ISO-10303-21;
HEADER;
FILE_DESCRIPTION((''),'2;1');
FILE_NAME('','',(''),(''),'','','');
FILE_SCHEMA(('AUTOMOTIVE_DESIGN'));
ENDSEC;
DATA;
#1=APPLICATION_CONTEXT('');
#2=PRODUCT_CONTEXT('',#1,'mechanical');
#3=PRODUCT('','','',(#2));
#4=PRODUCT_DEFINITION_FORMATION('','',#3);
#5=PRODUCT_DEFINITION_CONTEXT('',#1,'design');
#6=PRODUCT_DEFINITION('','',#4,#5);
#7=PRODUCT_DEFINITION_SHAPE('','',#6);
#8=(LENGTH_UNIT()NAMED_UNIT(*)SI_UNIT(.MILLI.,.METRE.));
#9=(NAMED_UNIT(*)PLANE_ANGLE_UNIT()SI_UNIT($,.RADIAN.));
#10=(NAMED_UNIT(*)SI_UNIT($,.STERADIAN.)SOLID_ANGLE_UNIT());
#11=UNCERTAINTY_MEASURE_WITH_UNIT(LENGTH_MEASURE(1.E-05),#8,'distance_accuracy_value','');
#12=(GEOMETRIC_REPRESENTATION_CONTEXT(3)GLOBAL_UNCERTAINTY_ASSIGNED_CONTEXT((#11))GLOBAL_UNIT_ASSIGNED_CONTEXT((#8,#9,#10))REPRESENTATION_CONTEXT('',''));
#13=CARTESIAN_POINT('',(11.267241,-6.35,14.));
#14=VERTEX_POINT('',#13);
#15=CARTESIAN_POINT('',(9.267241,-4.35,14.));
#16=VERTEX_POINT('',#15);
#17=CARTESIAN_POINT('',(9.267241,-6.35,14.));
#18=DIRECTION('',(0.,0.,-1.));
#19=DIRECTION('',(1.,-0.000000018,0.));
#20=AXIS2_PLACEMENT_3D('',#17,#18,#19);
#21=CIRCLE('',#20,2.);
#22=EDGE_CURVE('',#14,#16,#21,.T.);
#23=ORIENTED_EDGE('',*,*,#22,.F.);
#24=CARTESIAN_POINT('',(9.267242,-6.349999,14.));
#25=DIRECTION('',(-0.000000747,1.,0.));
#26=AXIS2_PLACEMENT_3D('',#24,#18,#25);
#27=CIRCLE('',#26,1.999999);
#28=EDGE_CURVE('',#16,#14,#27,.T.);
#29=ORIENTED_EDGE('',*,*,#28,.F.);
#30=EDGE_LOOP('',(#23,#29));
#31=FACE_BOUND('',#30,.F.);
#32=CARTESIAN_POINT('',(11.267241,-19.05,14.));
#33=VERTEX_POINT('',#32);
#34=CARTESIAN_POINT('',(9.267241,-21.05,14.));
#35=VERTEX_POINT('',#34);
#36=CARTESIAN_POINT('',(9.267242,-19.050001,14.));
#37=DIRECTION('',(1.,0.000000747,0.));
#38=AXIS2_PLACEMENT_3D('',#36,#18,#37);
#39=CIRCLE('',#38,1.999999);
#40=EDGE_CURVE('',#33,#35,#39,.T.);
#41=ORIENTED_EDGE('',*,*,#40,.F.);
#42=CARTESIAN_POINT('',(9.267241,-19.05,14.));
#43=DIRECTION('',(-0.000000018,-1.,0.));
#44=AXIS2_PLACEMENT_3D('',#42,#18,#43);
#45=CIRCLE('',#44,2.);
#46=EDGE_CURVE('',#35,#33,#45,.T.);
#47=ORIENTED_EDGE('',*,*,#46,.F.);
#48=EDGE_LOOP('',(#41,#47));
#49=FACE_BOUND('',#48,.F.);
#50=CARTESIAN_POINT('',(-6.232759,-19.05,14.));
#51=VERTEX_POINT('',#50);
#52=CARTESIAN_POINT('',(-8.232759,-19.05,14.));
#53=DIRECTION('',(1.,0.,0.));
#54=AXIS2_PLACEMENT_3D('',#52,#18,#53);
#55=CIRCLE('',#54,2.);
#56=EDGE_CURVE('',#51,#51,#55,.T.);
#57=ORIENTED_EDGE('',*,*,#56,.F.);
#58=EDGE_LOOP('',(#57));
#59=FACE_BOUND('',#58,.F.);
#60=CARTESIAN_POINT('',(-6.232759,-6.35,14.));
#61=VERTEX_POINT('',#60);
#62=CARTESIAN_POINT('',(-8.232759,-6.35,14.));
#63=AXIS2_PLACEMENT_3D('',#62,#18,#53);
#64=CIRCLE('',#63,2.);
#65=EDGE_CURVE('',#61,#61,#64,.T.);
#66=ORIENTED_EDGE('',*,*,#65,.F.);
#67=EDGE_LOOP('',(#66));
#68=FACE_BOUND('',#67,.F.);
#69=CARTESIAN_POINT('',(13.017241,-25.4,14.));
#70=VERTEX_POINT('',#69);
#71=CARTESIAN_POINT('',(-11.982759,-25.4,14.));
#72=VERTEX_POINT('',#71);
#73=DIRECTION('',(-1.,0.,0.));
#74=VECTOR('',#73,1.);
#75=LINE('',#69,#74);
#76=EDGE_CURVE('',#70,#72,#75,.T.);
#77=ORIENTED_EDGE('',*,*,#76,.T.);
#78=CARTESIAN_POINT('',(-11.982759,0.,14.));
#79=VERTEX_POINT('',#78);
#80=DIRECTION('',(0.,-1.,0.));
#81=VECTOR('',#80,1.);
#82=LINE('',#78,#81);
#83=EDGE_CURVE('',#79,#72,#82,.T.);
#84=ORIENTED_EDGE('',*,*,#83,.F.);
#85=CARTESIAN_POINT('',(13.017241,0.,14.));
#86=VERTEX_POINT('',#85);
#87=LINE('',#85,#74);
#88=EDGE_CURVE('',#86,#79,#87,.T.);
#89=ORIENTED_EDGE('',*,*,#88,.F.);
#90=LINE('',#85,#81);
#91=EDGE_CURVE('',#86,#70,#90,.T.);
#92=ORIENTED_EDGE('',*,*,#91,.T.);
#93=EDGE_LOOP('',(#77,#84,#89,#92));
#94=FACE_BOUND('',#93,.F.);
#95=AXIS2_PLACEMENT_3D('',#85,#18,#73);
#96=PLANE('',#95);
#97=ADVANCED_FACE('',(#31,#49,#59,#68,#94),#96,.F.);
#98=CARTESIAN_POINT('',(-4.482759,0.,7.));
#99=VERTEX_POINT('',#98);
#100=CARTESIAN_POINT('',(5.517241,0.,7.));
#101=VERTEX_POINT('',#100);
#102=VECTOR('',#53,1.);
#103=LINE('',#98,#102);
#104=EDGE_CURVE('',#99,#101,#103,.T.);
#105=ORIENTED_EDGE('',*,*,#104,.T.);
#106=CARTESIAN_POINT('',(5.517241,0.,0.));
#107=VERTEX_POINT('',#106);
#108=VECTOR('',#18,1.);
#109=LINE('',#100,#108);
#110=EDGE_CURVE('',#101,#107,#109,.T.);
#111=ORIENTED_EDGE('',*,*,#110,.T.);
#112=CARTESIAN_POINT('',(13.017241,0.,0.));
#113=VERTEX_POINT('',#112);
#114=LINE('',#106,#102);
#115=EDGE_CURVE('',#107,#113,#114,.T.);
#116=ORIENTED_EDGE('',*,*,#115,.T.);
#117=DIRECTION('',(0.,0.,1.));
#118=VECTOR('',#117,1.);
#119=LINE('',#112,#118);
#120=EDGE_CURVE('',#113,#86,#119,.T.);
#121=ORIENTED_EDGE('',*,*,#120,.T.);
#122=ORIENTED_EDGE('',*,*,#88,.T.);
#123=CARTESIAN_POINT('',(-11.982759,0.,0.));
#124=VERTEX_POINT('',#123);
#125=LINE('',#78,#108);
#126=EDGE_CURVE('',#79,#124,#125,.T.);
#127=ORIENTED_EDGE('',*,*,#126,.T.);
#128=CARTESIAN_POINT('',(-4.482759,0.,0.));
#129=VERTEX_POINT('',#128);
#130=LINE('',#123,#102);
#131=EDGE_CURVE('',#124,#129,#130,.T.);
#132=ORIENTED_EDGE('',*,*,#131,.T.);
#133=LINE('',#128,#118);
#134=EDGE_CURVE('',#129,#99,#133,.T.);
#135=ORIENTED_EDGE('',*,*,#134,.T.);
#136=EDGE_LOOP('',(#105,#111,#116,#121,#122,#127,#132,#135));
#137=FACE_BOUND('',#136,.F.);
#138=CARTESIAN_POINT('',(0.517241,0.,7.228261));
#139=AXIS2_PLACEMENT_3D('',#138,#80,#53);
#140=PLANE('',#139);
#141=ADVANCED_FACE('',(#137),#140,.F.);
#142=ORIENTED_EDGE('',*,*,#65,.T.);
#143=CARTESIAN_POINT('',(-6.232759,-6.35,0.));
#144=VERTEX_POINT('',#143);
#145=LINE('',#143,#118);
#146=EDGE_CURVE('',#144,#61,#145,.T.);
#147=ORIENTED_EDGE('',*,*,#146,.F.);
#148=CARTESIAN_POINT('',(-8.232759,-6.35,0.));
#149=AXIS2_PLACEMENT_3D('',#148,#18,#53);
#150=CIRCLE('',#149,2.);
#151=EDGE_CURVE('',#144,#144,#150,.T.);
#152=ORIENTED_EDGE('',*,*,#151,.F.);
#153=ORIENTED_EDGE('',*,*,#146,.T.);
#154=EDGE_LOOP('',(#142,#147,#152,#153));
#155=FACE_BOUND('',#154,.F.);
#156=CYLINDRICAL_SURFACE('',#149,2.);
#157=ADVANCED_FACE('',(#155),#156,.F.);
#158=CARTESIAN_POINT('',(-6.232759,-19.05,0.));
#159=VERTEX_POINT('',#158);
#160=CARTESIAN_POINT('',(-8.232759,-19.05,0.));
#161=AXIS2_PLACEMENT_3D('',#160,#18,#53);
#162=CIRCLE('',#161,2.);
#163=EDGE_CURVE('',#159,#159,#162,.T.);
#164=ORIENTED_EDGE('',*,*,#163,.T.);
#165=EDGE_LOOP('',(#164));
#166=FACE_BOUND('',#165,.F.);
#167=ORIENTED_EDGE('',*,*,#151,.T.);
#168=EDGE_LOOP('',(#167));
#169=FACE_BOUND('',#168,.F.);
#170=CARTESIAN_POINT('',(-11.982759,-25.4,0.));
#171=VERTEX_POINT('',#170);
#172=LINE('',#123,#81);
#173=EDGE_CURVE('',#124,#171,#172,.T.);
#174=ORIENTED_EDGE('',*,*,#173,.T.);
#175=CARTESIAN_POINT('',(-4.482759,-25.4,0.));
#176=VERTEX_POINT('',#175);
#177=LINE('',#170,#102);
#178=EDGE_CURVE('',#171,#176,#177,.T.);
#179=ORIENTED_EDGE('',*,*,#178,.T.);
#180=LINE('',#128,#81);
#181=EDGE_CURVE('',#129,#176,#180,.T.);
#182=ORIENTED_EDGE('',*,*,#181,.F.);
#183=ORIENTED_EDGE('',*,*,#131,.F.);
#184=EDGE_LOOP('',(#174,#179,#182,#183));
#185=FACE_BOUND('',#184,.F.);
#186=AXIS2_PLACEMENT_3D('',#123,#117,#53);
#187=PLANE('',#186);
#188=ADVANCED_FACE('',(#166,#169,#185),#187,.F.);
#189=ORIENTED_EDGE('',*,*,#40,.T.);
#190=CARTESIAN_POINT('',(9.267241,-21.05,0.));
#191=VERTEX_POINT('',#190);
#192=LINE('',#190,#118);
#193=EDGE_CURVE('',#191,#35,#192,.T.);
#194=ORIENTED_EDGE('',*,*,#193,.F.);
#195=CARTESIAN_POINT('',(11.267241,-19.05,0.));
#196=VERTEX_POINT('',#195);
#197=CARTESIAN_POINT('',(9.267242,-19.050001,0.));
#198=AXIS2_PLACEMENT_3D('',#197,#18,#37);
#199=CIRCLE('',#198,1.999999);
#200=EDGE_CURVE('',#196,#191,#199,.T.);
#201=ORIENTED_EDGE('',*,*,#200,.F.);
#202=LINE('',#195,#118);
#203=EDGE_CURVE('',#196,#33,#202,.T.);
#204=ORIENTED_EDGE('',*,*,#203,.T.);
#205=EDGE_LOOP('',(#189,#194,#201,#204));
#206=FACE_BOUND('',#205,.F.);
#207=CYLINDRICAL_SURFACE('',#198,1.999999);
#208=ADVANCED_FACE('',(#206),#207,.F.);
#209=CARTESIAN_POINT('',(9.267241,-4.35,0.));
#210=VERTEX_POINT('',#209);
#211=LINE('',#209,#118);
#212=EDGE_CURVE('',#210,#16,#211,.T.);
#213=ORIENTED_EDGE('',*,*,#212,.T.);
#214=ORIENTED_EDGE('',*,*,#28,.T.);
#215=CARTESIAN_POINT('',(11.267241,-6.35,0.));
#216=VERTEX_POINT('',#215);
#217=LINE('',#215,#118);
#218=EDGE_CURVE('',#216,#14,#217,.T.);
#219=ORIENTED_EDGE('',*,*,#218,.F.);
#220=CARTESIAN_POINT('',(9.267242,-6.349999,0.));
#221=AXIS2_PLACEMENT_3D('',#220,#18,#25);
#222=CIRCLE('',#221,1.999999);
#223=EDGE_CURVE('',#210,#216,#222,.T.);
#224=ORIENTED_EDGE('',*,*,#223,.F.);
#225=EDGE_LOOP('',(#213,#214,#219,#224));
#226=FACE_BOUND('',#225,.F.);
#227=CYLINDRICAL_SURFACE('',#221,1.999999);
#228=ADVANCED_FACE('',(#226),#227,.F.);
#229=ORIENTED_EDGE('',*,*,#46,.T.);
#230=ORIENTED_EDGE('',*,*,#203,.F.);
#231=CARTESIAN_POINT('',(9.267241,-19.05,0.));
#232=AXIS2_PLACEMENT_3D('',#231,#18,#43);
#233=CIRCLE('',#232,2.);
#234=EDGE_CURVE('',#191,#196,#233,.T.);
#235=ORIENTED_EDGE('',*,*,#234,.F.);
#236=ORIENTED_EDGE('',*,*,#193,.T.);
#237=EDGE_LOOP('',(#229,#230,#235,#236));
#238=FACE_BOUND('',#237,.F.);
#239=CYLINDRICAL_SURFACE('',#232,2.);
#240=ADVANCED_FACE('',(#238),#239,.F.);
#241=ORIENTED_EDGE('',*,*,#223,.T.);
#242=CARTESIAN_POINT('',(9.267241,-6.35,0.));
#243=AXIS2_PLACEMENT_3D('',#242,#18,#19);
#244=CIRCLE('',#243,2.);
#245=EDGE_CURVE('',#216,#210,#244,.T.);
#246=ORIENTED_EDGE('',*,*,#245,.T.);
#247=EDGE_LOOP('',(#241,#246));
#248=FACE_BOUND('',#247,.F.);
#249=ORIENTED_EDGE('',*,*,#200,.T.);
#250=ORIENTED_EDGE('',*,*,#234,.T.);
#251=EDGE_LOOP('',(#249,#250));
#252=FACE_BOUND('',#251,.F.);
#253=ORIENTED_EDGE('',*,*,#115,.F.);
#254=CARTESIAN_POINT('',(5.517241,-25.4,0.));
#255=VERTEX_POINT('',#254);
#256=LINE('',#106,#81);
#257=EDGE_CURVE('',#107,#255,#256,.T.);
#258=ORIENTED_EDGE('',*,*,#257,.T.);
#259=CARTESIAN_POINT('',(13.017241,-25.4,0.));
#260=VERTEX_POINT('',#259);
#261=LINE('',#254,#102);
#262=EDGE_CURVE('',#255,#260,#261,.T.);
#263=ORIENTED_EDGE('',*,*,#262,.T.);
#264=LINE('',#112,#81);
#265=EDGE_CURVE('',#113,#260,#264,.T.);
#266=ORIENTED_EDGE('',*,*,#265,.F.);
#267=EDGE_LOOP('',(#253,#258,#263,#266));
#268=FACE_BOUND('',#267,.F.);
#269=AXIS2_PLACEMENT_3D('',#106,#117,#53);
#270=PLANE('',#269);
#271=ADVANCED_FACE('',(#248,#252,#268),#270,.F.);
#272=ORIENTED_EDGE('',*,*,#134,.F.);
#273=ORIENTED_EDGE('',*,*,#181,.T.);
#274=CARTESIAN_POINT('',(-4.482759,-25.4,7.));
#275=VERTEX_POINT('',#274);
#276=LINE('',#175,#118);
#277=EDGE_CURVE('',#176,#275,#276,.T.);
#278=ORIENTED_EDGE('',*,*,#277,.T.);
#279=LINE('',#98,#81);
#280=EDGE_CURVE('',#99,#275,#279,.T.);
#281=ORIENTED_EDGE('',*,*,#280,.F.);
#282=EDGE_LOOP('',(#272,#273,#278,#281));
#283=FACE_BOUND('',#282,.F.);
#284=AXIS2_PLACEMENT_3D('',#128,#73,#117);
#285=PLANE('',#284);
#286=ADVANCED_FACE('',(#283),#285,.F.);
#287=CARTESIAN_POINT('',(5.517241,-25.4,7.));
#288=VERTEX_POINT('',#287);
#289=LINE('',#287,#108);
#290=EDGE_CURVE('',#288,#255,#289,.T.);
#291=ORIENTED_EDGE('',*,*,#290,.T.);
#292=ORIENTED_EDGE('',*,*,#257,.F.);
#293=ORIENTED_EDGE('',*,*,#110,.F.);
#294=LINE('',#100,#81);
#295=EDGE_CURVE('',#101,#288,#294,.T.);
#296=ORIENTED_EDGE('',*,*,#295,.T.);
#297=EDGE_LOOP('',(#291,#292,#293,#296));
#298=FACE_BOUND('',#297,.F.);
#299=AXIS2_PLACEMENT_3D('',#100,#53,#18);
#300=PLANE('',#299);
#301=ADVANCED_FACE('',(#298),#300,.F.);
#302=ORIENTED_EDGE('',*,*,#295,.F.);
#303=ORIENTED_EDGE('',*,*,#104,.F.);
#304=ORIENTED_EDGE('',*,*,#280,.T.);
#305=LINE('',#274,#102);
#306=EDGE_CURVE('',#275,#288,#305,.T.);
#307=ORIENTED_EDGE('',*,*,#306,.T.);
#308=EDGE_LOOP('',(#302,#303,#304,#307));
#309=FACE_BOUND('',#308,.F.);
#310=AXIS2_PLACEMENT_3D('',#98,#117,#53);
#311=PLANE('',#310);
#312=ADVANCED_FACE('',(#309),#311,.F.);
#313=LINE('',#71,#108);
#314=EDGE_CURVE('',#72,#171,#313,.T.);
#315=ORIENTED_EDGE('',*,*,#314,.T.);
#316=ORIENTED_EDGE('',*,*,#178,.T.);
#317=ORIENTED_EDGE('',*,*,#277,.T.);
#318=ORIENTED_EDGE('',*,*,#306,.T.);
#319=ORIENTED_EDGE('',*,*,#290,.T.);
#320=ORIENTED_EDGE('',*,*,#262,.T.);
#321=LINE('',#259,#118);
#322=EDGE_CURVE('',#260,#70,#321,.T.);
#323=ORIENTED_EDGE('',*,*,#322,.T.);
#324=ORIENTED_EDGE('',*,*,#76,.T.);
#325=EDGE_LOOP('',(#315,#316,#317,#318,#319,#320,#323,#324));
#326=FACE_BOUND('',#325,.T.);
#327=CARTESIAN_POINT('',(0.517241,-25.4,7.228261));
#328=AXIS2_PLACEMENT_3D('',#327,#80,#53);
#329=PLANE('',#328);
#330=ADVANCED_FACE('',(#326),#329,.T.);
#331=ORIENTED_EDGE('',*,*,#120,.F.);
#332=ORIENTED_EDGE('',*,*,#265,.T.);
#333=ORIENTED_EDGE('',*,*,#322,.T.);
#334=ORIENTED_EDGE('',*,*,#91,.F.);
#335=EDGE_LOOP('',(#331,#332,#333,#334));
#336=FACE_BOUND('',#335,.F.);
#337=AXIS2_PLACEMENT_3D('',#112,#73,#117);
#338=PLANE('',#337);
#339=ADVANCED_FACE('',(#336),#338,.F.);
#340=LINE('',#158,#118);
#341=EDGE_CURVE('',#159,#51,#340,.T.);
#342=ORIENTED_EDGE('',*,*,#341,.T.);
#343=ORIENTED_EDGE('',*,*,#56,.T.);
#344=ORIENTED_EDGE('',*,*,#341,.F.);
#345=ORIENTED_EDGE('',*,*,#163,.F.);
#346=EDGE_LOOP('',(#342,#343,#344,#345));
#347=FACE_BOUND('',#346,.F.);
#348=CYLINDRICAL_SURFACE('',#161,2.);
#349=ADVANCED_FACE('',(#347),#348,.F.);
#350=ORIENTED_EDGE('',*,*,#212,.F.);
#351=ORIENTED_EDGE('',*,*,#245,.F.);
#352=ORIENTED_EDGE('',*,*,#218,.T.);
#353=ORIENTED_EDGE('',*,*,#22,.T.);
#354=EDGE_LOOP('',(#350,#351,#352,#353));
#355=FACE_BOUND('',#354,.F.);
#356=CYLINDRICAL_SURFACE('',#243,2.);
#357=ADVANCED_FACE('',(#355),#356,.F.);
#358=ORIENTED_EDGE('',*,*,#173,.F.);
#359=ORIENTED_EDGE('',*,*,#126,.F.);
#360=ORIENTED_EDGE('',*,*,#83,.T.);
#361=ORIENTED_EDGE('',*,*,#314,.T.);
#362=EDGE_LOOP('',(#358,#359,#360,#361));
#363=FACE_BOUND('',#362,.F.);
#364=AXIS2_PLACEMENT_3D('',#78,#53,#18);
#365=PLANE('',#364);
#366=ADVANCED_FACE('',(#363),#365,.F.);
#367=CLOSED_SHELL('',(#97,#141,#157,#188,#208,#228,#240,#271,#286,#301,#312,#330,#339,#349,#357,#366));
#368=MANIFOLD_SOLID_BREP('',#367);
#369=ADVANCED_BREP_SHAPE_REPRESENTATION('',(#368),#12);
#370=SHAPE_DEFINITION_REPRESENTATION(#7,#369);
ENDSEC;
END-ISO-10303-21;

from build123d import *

# Parameters (mm, degrees)
F1_DEPTH = 25.4
F2_R     = 2
F3_DEPTH = 14.001


with BuildPart() as f1:
    # F0 (on Front) → F1 (new body)
    with BuildSketch(Plane.XZ):
        Polygon((-11.982759, 14), (-11.982759, 0), (-4.482759, 0), (-4.482759, 7), (5.517241, 7), (5.517241, 0), (13.017241, 0), (13.017241, 14), align=None)
    extrude(amount=F1_DEPTH)

    # F2 (on face) → F3 (cut, through all)
    with BuildSketch(Plane(origin=(0, 0, 0), x_dir=(1, 0, 0), z_dir=(0, 0, -1))):
        with BuildLine():
            ThreePointArc((9.267241, 21.05), (7.853028, 17.635786), (11.267241, 19.05))
            ThreePointArc((11.267241, 19.05), (10.681455, 20.464214), (9.267241, 21.05))
        make_face()
        with BuildLine():
            ThreePointArc((9.267241, 4.35), (10.681455, 4.935786), (11.267241, 6.35))
            ThreePointArc((11.267241, 6.35), (7.853028, 7.764214), (9.267241, 4.35))
        make_face()
        with Locations((-8.232759, 6.35)):
            Circle(F2_R)
        with Locations((-8.232759, 19.05)):
            Circle(F2_R)
    extrude(amount=-F3_DEPTH, mode=Mode.SUBTRACT)


solid = f1.part
